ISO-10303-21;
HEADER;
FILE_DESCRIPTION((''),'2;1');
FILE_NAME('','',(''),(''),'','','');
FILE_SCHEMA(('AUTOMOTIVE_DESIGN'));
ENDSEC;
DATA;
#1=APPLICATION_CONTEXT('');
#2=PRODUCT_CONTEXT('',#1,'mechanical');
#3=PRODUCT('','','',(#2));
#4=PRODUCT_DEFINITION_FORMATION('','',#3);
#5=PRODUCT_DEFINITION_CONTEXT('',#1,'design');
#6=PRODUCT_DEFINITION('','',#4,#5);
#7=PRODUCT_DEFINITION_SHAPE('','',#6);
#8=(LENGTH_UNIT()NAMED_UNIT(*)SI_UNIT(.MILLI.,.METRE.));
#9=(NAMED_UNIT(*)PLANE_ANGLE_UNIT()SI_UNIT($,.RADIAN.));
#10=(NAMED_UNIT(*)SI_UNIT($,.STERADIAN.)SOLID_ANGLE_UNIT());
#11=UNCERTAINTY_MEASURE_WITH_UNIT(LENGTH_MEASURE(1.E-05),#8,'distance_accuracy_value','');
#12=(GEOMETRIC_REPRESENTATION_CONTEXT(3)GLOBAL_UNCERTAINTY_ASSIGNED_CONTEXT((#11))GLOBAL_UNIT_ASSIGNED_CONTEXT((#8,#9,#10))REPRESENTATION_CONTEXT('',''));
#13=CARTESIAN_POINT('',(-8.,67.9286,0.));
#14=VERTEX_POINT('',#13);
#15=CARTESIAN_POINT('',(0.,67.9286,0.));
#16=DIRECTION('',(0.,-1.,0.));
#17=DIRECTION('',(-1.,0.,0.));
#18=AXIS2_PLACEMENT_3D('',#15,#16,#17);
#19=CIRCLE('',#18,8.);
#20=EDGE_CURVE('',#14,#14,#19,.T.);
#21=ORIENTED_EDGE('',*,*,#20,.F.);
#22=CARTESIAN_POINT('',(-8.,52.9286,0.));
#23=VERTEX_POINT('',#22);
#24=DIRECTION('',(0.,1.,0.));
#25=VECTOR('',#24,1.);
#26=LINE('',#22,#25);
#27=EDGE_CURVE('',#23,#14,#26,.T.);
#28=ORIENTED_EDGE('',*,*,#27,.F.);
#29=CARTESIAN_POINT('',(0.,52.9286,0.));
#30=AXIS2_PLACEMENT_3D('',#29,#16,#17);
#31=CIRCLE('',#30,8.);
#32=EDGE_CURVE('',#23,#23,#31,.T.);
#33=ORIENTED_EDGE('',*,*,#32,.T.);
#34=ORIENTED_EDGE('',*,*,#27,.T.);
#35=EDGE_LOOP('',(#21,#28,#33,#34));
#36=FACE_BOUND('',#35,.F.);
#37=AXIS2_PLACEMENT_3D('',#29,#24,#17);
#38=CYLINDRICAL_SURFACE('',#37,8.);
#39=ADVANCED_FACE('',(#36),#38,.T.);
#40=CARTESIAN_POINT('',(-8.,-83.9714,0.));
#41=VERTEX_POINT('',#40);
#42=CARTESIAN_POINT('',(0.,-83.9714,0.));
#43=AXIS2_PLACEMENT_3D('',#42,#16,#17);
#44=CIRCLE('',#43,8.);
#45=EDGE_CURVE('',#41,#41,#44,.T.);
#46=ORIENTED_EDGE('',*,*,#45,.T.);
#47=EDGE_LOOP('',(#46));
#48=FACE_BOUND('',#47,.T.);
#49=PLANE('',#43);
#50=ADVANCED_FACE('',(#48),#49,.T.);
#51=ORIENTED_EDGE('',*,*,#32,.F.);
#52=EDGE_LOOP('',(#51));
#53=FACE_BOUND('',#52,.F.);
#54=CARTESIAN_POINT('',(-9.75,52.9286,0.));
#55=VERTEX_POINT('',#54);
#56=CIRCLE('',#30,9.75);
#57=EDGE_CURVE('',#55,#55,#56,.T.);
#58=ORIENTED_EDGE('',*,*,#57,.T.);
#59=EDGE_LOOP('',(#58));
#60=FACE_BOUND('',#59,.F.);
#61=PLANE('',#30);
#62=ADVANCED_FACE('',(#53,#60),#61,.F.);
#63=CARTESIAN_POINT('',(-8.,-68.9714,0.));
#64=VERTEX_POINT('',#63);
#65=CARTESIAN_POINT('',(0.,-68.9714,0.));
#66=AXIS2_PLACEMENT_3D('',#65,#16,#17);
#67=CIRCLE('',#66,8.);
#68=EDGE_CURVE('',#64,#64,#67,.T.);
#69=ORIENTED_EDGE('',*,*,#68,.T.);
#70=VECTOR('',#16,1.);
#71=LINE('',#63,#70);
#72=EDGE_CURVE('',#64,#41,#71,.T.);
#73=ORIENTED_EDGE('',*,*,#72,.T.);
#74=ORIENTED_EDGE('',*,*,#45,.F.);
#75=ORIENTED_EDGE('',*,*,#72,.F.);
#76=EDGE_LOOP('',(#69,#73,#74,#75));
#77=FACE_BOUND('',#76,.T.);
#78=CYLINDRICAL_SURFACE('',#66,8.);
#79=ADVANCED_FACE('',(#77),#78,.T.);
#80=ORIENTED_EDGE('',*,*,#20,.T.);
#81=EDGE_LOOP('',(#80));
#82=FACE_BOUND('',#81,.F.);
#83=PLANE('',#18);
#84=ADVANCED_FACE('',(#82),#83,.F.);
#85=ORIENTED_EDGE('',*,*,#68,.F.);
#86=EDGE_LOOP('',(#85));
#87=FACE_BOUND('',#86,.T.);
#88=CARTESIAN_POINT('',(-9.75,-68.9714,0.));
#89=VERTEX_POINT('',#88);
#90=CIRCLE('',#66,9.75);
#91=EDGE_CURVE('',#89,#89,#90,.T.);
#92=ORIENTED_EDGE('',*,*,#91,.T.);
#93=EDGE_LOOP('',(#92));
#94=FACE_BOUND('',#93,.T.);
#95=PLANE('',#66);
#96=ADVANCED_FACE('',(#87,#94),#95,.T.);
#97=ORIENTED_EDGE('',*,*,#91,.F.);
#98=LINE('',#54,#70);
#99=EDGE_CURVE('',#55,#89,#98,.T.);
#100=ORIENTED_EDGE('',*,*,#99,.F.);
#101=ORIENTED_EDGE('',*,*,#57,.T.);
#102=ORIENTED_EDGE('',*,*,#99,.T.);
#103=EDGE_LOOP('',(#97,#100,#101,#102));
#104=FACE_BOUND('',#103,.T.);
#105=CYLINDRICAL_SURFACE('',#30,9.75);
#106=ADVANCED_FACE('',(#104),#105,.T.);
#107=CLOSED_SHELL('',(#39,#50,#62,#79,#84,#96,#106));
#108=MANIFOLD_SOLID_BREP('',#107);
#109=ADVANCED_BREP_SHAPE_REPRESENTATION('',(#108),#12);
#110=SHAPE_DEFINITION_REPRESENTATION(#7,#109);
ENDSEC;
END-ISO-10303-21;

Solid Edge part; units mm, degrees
sketch "Sketch1" plane through (0, 0, 0) normal (0, 0, 1) x (1, 0, 0)
  line L0 (-9.75, 52.9286) -> (-9.75, -68.9714)
  line L1 (-9.75, -68.9714) -> (-8, -68.9714)
  line L2 (-8, -68.9714) -> (-8, -83.9714)
  line L3 (-8, -83.9714) -> (0, -83.9714)
  line L4 (0, -83.9714) -> (0, 67.9286)
  line L5 (-8, 67.9286) -> (0, 67.9286)
  line L6 (-8, 52.9286) -> (-8, 67.9286)
  line L7 (-9.75, 52.9286) -> (-8, 52.9286)
  dimension "D1" = 121.9
revolve "RevolvedProtrusion1" add sketch "Sketch1" angle 360 about axis through (0, 54, 0) along (0, -1, 0)
